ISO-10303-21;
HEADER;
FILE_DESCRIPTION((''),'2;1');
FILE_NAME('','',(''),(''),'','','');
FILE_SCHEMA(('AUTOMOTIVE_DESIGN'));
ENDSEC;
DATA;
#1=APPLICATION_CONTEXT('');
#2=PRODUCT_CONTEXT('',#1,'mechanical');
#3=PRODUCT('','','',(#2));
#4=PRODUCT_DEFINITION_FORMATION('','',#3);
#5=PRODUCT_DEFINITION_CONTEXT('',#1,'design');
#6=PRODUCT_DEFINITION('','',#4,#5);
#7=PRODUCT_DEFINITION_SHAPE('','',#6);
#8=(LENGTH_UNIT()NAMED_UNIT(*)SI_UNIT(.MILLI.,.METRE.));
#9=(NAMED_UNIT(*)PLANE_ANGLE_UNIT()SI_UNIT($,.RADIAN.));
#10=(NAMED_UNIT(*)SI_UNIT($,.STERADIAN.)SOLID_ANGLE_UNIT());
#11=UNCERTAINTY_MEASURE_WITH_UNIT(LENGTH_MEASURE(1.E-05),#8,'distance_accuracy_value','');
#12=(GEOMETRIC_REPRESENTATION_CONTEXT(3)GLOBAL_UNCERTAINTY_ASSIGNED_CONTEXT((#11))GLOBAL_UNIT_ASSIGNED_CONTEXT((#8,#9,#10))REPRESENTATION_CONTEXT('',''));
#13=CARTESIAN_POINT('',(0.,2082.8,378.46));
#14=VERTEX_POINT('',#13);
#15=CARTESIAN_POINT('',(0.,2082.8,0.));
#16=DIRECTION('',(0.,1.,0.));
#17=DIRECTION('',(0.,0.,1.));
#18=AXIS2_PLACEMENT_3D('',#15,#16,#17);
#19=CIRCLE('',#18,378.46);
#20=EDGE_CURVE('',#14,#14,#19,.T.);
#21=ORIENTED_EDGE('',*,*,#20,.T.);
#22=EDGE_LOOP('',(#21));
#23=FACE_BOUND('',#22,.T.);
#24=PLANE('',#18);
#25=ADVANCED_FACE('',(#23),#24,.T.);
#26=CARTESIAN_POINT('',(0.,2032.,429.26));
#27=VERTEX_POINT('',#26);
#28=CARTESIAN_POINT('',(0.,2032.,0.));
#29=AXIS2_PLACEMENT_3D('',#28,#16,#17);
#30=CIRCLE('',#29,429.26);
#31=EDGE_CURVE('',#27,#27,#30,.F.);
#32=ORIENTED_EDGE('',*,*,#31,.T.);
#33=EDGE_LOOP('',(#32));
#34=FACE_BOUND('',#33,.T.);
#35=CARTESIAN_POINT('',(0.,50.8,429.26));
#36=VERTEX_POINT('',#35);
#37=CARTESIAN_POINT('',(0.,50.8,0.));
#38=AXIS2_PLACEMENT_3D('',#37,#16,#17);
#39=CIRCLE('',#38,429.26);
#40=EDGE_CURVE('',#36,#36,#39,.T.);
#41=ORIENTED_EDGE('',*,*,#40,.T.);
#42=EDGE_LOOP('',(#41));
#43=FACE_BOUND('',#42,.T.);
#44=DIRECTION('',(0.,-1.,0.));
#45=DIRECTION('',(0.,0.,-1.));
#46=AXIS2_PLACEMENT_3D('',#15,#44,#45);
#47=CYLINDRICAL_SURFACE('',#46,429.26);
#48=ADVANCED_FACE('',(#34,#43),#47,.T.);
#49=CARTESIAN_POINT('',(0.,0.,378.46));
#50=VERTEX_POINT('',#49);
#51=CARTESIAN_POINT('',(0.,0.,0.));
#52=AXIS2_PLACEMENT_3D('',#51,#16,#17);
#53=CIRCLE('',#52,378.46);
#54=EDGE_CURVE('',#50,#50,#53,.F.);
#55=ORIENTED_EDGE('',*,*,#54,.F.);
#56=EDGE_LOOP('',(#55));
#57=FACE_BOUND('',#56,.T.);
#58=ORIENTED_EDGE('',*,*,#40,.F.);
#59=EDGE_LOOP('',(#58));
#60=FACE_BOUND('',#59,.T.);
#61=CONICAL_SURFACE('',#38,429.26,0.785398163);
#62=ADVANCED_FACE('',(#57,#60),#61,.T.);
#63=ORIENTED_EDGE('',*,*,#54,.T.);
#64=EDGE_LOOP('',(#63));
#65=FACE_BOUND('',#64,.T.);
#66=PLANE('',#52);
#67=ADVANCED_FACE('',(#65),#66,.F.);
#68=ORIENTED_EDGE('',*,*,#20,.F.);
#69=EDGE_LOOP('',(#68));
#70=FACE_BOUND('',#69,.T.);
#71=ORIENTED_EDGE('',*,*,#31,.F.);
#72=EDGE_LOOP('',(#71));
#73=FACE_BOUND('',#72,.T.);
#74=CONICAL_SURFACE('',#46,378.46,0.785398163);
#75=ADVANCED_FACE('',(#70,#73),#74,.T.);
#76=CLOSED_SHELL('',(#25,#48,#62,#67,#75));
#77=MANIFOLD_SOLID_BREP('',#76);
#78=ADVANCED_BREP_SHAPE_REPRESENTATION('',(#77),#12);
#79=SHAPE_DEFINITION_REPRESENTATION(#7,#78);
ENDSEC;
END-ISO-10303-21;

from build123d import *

# Parameters (mm, degrees)
SKETCH1_R           = 429.26
BOSS_EXTRUDE1_DEPTH = 2082.8
CHAMFER2_SIZE       = 50.8


with BuildPart() as part:
    # Sketch1 → Boss-Extrude1 (new body)
    with BuildSketch(Plane(origin=(0, 0, 0), x_dir=(1, 0, 0), z_dir=(0, 1, 0))):
        Circle(SKETCH1_R)
    extrude(amount=BOSS_EXTRUDE1_DEPTH)

    # Chamfer2
    chamfer2_edges = [part.edges().sort_by_distance(p)[0] for p in [
        (-429.26, 0, 0),
        (-429.26, 2082.8, 0),
    ]]
    chamfer(chamfer2_edges, length=CHAMFER2_SIZE)


solid = part.part
